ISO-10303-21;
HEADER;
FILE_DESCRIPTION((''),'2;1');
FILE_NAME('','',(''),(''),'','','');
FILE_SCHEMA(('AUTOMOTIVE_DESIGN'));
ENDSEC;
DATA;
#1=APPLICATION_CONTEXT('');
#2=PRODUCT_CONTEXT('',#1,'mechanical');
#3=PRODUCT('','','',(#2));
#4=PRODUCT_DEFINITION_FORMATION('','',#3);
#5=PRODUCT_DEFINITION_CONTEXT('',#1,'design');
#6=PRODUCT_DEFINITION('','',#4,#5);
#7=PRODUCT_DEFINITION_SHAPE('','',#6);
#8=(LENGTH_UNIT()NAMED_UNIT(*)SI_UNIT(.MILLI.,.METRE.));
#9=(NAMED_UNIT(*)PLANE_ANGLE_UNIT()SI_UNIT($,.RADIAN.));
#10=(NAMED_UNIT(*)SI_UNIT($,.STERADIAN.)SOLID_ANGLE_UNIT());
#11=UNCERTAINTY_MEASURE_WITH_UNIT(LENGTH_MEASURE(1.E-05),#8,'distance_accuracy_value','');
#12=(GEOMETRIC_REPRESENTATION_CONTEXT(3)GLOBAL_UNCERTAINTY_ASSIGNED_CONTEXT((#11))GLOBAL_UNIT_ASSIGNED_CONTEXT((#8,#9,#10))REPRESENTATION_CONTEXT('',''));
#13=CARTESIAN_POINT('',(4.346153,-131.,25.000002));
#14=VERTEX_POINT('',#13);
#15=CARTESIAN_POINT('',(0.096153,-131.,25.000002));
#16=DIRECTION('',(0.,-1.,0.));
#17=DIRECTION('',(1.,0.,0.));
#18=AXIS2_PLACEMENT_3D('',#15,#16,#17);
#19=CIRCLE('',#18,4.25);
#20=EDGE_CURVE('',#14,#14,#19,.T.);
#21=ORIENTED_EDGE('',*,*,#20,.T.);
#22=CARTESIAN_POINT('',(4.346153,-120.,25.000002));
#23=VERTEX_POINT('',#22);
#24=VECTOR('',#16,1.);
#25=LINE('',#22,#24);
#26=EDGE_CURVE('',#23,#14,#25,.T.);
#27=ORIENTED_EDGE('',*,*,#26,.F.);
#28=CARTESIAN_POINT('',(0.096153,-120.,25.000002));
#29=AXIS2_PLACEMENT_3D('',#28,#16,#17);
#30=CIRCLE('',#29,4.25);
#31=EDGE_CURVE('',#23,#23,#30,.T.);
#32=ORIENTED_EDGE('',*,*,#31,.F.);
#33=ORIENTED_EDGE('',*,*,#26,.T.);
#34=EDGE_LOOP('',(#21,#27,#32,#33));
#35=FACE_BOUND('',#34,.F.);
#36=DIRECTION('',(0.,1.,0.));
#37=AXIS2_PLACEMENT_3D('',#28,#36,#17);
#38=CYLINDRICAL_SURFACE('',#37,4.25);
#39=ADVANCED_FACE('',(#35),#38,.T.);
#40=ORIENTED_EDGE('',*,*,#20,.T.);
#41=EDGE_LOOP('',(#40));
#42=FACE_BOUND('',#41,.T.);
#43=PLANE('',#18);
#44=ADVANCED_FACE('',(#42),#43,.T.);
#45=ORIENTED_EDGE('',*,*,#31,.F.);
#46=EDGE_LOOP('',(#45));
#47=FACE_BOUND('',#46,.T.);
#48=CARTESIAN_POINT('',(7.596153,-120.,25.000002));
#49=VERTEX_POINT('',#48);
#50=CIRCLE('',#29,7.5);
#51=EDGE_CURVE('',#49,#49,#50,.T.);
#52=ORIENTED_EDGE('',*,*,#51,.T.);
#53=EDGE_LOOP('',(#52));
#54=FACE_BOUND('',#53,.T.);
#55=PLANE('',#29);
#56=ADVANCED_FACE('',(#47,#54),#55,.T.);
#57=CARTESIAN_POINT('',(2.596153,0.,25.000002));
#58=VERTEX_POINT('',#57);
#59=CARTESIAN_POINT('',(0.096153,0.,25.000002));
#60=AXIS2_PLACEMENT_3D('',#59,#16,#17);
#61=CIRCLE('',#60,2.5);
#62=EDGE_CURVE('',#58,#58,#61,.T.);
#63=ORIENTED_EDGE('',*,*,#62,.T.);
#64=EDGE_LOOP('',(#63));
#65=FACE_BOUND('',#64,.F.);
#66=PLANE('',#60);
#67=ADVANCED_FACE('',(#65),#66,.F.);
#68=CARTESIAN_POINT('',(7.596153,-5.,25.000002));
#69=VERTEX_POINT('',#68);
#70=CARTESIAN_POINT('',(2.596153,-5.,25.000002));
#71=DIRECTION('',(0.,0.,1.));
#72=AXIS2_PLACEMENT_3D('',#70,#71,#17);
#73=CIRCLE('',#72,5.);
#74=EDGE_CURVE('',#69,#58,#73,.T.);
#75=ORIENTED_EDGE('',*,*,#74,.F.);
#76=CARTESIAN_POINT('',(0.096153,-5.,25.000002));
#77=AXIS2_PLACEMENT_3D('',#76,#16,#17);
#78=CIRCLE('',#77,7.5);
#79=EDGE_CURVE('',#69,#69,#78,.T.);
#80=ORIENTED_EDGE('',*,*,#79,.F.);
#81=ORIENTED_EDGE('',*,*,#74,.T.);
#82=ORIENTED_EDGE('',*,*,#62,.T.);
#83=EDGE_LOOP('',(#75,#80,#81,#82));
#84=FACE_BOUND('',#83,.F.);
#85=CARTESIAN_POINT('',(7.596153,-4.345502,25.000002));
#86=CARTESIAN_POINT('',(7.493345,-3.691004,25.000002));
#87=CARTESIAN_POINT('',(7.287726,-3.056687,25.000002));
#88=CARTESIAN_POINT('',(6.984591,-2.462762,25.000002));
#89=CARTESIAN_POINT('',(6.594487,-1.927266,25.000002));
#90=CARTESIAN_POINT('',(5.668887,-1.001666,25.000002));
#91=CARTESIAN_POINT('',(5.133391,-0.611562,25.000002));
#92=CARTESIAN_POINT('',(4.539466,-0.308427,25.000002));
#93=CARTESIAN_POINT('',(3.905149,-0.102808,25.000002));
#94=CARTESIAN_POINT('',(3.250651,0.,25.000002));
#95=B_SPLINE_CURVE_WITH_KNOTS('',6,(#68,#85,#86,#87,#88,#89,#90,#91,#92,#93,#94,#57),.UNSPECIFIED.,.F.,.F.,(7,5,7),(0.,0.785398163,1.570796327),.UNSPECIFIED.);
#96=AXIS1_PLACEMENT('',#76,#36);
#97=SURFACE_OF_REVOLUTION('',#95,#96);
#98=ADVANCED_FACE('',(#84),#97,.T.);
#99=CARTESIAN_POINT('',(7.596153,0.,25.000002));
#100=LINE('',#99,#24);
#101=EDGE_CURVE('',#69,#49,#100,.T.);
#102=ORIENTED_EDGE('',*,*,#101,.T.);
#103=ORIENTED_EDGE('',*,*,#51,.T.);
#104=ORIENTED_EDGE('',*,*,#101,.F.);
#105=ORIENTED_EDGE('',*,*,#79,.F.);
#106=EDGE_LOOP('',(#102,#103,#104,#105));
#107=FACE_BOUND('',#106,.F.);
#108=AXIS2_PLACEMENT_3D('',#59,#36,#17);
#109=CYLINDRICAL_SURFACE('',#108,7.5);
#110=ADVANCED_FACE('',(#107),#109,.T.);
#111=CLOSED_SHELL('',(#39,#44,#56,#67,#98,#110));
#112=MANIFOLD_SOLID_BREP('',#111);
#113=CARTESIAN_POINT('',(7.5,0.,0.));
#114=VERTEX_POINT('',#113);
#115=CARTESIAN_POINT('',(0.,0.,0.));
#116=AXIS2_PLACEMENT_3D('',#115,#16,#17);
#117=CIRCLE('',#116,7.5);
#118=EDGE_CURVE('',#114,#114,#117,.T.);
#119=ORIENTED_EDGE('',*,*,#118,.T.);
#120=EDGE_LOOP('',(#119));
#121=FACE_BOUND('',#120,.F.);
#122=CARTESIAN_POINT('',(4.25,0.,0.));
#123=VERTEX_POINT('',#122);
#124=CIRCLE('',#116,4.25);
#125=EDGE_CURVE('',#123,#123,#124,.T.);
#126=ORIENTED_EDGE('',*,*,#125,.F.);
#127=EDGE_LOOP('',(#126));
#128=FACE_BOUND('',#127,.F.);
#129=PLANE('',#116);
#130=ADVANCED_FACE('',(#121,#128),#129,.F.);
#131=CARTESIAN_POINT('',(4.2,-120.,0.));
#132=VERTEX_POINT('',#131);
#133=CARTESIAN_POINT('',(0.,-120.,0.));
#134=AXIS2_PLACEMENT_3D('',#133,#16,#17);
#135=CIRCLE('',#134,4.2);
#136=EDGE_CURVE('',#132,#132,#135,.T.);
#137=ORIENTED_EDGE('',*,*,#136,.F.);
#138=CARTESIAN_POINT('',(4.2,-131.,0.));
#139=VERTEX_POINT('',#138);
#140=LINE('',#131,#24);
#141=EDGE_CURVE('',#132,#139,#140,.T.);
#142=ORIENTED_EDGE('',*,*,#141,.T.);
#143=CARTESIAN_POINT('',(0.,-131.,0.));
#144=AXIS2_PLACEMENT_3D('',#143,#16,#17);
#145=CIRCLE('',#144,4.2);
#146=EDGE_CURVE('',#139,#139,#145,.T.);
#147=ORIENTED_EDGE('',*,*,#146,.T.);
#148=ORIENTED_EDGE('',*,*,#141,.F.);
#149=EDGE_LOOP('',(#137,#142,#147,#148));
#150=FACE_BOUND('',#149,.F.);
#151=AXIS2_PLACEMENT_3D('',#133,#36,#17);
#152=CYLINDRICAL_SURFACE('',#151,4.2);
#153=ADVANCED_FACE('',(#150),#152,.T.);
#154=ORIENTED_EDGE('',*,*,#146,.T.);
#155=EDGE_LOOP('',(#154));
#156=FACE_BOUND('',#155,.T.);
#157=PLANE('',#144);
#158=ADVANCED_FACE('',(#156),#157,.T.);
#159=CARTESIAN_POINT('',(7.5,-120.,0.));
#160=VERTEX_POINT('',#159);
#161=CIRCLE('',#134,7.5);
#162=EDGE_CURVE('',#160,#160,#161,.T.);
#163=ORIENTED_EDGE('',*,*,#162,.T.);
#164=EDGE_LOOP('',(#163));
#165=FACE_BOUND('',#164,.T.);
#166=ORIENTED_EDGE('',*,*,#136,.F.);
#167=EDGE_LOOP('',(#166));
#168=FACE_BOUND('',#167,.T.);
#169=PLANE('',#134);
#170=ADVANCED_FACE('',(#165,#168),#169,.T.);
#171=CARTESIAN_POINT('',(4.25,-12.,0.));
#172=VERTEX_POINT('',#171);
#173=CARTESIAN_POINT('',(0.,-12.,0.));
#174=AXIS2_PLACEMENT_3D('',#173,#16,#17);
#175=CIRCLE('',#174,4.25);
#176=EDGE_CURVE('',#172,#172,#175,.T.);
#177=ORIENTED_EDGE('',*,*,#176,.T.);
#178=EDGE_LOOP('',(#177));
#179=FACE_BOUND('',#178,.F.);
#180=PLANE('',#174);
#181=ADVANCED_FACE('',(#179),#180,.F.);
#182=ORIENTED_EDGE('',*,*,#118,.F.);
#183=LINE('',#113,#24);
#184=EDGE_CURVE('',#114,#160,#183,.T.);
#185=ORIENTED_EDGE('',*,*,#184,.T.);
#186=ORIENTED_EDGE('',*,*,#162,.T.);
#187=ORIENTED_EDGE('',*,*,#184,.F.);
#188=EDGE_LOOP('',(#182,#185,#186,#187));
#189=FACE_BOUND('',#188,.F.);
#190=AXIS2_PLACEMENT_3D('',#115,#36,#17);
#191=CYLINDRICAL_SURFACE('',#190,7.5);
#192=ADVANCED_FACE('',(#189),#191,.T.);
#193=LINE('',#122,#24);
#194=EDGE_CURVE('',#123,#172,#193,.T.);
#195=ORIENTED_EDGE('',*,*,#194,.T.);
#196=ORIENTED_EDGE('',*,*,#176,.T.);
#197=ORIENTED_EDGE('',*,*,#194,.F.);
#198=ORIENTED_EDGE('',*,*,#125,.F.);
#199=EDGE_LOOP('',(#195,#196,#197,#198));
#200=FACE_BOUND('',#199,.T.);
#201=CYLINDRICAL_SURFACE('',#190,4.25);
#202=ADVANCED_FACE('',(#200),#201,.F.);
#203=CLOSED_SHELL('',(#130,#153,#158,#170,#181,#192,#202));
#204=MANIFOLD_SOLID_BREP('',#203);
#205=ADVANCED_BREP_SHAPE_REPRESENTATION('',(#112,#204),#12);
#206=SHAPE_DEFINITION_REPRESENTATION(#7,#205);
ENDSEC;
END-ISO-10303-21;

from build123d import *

# Parameters (mm, degrees)
F0_R     = 7.5
F0_R_2   = 4.25
F1_DEPTH = 120
F2_R     = 4.25
F3_DEPTH = 12
F4_R     = 4.2
F5_DEPTH = 11
F6_R     = 4.25
F7_DEPTH = 11
F8_R     = 5


with BuildPart() as f1:
    # F0 (on Front) → F1 (new body)
    with BuildSketch(Plane.XZ):
        Circle(F0_R)
        Circle(F0_R_2, mode=Mode.SUBTRACT)
        with Locations((0.096153, 25.000002)):
            Circle(F0_R)
        with Locations((0.096153, 25.000002)):
            Circle(F0_R_2, mode=Mode.SUBTRACT)
        Circle(F0_R_2)
        with Locations((0.096153, 25.000002)):
            Circle(F0_R_2)
    extrude(amount=F1_DEPTH)

    # F2 (on Front) → F3 (cut)
    with BuildSketch(Plane.XZ):
        Circle(F2_R)
    extrude(amount=F3_DEPTH, mode=Mode.SUBTRACT)

    # F4 (on face) → F5 (join)
    with BuildSketch(Plane.XZ.offset(120)):
        Circle(F4_R)
    extrude(amount=F5_DEPTH)

    # F6 (on face) → F7 (join)
    with BuildSketch(Plane.XZ.offset(120)):
        with Locations((0.096153, 25.000002)):
            Circle(F6_R)
    extrude(amount=F7_DEPTH)

    # F8
    f8_edges = [f1.edges().sort_by_distance(p)[0] for p in [
        (-7.403847, 0, 25.000002),
    ]]
    fillet(f8_edges, radius=F8_R)


solid = f1.part
